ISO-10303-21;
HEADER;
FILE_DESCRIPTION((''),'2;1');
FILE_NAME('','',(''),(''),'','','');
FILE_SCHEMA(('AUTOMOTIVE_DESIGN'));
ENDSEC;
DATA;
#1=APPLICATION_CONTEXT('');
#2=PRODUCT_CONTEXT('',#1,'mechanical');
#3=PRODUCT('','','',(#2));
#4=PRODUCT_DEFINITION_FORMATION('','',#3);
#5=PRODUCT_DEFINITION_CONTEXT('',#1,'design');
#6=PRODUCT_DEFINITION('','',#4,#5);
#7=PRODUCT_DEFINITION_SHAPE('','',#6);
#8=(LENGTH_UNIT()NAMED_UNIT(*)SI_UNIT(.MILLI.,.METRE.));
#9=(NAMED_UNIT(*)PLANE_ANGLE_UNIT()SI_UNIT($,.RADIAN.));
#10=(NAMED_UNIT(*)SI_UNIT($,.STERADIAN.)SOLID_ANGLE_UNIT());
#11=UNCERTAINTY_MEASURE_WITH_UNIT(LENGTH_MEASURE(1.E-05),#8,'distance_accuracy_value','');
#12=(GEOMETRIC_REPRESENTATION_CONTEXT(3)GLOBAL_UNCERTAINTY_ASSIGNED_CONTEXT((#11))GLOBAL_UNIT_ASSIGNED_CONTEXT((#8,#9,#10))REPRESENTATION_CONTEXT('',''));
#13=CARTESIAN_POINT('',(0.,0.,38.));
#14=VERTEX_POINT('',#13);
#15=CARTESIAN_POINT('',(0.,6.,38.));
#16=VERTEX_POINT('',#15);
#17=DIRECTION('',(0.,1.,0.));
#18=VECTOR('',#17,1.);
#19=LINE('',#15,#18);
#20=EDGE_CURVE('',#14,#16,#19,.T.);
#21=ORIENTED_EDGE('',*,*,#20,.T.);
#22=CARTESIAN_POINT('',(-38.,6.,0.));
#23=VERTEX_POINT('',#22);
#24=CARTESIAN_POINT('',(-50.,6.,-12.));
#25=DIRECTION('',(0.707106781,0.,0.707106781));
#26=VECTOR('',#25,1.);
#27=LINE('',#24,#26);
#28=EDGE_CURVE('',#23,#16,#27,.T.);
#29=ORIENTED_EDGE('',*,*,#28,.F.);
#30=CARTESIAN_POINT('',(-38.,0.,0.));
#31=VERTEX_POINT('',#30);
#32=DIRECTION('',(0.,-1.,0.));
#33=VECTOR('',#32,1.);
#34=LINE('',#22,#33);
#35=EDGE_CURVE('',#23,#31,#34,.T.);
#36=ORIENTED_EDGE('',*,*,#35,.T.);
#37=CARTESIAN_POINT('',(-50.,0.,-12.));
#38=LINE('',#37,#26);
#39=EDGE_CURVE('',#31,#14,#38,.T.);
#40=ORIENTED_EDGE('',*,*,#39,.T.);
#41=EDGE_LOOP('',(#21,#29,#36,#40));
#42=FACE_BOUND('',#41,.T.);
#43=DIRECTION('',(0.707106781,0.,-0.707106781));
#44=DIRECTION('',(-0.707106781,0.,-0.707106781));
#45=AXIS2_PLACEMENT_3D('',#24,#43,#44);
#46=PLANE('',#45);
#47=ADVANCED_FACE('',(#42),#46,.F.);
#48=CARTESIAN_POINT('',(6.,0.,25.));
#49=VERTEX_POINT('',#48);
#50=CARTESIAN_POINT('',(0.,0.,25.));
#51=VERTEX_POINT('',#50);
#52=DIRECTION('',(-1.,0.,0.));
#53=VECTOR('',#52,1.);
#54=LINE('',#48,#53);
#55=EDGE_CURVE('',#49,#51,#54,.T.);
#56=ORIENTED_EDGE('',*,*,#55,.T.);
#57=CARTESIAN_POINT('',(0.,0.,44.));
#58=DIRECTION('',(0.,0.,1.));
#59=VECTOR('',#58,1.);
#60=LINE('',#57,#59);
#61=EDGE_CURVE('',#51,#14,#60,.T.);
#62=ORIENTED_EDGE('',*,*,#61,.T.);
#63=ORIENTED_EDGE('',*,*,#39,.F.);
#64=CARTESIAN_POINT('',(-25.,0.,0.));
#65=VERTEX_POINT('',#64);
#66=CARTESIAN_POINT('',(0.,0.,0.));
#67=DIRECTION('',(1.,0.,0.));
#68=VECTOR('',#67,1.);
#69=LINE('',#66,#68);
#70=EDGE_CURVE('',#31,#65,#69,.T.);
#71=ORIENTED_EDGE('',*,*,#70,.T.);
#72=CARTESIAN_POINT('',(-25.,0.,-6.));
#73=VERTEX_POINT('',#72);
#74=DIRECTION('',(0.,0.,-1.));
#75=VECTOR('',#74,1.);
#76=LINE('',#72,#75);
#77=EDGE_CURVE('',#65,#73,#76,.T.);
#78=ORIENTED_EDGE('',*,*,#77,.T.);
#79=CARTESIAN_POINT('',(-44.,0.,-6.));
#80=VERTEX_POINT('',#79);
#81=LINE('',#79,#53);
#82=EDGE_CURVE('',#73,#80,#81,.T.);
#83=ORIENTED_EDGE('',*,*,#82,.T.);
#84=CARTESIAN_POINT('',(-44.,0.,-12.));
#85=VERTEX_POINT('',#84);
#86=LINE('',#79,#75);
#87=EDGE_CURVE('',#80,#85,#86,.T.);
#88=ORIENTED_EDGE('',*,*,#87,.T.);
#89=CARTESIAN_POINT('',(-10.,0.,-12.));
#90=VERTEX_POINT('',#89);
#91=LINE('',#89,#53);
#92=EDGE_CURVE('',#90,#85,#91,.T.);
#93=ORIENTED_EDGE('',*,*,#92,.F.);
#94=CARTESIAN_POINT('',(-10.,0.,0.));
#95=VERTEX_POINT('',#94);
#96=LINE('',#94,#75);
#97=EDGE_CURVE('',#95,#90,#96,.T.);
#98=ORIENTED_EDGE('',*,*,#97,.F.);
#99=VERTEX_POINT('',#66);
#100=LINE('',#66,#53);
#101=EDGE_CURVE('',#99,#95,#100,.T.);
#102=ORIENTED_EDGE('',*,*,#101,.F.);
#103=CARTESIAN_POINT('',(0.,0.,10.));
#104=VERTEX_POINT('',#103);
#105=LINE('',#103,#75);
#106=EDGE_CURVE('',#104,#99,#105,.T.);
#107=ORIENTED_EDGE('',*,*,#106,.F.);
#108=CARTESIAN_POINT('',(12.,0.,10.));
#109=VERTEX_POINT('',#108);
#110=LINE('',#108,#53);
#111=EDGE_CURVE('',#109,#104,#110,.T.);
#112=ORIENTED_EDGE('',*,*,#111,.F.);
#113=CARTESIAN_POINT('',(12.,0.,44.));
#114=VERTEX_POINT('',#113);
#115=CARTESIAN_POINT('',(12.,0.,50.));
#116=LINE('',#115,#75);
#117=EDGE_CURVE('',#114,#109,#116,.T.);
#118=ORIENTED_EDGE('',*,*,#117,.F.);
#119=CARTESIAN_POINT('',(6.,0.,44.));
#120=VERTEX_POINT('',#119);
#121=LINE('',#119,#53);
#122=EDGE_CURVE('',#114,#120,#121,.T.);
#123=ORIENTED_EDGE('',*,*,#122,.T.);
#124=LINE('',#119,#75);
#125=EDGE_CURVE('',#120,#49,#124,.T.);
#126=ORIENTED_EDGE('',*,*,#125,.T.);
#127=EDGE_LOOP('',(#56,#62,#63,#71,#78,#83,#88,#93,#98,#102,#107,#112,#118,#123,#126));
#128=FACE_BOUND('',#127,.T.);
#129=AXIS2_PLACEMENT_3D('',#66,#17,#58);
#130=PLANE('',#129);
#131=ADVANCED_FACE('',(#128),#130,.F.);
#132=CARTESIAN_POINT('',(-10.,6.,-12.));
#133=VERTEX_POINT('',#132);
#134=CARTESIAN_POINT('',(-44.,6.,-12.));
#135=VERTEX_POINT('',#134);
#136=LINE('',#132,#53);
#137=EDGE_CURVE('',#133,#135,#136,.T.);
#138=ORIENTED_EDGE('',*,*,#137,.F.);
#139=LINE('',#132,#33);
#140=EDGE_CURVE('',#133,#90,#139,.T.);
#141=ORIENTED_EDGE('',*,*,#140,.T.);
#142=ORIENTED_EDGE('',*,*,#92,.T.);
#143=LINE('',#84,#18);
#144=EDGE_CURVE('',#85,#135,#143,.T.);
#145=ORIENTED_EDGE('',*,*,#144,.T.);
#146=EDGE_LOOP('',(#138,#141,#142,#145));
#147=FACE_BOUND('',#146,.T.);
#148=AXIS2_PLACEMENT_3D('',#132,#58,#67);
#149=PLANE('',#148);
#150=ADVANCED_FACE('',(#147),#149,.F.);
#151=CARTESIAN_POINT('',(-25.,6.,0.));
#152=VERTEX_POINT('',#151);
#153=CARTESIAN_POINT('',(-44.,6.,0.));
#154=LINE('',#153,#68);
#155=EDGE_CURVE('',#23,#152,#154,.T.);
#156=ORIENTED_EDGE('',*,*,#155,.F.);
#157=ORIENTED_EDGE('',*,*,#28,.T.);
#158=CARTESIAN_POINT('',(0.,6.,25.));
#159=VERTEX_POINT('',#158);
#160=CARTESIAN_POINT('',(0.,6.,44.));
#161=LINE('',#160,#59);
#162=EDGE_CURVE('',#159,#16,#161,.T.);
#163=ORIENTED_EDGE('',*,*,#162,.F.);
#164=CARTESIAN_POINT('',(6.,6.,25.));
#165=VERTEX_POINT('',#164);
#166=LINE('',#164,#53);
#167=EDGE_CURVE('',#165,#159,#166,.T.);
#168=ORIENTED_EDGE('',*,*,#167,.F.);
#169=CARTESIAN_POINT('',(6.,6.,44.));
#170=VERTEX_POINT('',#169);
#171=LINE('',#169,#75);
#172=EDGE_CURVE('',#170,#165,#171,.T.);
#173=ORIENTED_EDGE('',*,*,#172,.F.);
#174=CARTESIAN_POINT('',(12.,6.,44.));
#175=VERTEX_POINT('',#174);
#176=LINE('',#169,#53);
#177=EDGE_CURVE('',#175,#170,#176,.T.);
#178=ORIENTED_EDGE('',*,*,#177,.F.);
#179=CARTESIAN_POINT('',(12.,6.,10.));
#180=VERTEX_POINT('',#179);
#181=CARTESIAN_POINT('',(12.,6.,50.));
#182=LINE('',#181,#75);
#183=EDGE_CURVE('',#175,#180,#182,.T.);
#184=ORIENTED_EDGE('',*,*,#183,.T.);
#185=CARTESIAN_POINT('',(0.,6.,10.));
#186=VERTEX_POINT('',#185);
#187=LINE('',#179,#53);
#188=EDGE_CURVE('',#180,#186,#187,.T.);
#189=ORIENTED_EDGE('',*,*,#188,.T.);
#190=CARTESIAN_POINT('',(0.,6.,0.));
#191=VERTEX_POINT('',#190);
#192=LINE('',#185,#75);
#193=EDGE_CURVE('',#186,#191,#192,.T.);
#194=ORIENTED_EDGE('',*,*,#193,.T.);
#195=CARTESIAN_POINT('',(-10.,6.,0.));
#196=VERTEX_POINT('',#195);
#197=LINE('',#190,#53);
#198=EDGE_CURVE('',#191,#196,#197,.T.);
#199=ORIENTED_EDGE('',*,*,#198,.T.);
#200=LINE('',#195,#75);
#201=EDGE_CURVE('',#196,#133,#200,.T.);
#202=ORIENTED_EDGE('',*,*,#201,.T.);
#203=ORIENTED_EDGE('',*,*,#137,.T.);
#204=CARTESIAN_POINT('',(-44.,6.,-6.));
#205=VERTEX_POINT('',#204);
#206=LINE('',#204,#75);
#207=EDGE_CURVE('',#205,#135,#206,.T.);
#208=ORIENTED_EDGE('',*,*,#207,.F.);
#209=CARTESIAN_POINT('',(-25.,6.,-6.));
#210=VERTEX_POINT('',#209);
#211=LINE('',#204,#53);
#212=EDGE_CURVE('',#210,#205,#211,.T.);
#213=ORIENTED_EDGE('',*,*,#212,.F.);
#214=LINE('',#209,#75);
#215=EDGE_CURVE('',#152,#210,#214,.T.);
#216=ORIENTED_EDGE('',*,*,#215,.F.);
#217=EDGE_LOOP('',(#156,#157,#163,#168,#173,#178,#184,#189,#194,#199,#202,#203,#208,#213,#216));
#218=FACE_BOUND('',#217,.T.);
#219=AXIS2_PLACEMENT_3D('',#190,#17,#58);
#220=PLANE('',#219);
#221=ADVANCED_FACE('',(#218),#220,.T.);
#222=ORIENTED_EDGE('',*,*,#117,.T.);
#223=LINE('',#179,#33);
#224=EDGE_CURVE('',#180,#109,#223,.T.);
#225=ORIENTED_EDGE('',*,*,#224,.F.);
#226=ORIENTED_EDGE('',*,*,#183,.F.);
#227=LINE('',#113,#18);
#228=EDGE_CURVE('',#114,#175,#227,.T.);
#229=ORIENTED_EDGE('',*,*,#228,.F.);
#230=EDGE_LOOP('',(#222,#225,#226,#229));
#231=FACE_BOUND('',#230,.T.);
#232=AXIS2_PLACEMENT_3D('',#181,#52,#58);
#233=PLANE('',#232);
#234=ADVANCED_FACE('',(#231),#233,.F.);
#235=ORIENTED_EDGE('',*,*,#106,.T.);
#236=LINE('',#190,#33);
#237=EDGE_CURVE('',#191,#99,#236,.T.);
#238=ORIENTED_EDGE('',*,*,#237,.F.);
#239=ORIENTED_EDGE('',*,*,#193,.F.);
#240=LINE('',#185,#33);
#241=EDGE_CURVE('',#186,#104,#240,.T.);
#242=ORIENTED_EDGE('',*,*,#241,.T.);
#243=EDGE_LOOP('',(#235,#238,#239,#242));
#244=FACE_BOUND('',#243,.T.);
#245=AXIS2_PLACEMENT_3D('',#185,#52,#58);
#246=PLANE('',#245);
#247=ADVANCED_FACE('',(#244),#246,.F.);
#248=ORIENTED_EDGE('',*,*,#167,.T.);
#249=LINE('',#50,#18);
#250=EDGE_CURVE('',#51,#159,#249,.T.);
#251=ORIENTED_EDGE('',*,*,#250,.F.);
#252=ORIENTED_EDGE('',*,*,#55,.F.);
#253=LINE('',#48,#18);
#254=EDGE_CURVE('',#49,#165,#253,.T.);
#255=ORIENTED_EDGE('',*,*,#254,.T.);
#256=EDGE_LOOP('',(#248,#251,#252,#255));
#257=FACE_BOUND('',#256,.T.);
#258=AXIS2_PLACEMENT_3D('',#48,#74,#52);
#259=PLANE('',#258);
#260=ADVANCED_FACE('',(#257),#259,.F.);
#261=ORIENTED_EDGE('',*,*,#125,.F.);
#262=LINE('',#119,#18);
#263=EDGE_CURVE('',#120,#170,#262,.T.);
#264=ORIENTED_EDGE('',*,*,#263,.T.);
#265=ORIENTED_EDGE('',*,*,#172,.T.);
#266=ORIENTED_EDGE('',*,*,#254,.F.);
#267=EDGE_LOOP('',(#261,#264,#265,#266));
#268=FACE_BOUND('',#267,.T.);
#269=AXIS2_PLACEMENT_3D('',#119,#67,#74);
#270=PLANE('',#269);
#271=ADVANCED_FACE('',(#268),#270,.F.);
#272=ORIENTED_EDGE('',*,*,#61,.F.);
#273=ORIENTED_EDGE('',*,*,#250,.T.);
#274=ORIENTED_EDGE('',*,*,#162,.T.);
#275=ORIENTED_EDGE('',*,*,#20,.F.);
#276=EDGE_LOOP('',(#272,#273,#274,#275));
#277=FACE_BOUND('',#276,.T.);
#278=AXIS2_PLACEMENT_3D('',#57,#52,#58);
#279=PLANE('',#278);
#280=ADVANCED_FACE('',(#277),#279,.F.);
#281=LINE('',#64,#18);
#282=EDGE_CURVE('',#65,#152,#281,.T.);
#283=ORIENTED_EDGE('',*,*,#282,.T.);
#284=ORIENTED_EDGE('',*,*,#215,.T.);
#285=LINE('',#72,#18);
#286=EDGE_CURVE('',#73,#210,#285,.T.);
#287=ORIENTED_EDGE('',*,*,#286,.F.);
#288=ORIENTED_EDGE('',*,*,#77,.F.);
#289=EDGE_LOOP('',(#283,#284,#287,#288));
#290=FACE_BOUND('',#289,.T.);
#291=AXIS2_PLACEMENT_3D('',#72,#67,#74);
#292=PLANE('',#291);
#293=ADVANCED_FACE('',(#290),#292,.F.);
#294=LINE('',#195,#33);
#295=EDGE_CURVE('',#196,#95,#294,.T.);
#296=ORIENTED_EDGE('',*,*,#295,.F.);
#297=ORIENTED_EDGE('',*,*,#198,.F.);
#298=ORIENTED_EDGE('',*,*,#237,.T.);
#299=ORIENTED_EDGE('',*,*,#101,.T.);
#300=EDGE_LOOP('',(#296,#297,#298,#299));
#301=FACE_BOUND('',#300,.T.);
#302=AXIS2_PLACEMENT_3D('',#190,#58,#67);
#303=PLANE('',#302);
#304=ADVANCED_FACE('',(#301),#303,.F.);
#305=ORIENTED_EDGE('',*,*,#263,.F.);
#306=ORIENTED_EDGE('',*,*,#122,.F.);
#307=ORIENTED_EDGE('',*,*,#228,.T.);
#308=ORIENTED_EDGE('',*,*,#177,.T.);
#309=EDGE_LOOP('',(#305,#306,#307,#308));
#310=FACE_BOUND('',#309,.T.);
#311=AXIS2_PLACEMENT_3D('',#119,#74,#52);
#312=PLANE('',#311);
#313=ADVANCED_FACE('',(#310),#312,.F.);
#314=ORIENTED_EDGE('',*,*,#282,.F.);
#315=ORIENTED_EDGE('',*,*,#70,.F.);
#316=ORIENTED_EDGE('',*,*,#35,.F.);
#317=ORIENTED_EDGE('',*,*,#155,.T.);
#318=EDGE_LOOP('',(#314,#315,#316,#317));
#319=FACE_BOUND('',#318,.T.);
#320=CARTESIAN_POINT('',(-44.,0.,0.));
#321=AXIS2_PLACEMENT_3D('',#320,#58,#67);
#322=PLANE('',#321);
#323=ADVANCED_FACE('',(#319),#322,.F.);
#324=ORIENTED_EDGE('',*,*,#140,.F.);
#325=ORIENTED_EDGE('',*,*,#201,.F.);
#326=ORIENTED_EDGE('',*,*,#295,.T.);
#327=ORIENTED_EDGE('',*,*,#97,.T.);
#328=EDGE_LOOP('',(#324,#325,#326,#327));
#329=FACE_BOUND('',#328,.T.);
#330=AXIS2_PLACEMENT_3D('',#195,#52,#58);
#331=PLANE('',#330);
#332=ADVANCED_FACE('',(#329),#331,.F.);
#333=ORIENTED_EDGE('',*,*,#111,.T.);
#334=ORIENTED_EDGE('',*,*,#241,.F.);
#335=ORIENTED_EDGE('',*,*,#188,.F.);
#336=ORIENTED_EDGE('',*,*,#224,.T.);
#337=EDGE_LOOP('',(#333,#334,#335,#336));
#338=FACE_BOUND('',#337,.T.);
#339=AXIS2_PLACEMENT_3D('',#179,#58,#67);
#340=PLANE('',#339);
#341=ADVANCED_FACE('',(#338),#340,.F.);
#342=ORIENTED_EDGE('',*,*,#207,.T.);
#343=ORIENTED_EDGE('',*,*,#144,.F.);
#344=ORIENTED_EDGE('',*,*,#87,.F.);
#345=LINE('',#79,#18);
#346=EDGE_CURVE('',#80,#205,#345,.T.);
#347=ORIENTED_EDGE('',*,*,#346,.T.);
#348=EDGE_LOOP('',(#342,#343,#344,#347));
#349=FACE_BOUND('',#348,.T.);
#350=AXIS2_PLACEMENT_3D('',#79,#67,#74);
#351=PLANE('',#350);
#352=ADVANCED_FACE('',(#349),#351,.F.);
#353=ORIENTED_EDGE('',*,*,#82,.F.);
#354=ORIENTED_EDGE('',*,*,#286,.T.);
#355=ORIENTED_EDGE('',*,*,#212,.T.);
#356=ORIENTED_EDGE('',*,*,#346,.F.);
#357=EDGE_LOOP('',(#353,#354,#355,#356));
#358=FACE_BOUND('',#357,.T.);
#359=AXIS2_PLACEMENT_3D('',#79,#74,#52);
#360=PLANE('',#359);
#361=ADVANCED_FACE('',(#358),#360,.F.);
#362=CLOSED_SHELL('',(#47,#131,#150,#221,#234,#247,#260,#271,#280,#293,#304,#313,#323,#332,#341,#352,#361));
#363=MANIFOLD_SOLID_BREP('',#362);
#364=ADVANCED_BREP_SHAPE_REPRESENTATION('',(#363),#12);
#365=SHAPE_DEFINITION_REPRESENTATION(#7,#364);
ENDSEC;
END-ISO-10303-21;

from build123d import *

# Parameters (mm, degrees)
BOSS_EXTRUDE1_DEPTH = 6
SKETCH3_W           = 19
SKETCH3_H           = 6
SKETCH3_W_2         = 6
SKETCH3_H_2         = 19
CUT_EXTRUDE1_DEPTH  = 71.964779997
SKETCH4_W           = 6
SKETCH4_H           = 6
CUT_EXTRUDE2_DEPTH  = 71.964779997


with BuildPart() as part:
    # Sketch2 → Boss-Extrude1 (new body)
    with BuildSketch(Plane(origin=(0, 0, 0), x_dir=(1, 0, 0), z_dir=(0, 1, 0))):
        Polygon((0, 0), (-10, 0), (-10, 12), (-50, 12), (12, -50), (12, -10), (0, -10), align=None)
    extrude(amount=BOSS_EXTRUDE1_DEPTH)

    # Sketch3 → Cut-Extrude1 (cut, through all)
    with BuildSketch(Plane(origin=(0, 6, 0), x_dir=(1, 0, 0), z_dir=(0, 1, 0))):
        with Locations((-34.5, 3)):
            Rectangle(SKETCH3_W, SKETCH3_H)
        with Locations((3, -34.5)):
            Rectangle(SKETCH3_W_2, SKETCH3_H_2)
    extrude(amount=-CUT_EXTRUDE1_DEPTH, mode=Mode.SUBTRACT)

    # Sketch4 → Cut-Extrude2 (cut, through all)
    with BuildSketch(Plane(origin=(0, 6, 0), x_dir=(1, 0, 0), z_dir=(0, 1, 0))):
        with Locations((-47, 9)):
            Rectangle(SKETCH4_W, SKETCH4_H)
        with Locations((9, -47)):
            Rectangle(SKETCH4_W, SKETCH4_H)
    extrude(amount=-CUT_EXTRUDE2_DEPTH, mode=Mode.SUBTRACT)


solid = part.part
